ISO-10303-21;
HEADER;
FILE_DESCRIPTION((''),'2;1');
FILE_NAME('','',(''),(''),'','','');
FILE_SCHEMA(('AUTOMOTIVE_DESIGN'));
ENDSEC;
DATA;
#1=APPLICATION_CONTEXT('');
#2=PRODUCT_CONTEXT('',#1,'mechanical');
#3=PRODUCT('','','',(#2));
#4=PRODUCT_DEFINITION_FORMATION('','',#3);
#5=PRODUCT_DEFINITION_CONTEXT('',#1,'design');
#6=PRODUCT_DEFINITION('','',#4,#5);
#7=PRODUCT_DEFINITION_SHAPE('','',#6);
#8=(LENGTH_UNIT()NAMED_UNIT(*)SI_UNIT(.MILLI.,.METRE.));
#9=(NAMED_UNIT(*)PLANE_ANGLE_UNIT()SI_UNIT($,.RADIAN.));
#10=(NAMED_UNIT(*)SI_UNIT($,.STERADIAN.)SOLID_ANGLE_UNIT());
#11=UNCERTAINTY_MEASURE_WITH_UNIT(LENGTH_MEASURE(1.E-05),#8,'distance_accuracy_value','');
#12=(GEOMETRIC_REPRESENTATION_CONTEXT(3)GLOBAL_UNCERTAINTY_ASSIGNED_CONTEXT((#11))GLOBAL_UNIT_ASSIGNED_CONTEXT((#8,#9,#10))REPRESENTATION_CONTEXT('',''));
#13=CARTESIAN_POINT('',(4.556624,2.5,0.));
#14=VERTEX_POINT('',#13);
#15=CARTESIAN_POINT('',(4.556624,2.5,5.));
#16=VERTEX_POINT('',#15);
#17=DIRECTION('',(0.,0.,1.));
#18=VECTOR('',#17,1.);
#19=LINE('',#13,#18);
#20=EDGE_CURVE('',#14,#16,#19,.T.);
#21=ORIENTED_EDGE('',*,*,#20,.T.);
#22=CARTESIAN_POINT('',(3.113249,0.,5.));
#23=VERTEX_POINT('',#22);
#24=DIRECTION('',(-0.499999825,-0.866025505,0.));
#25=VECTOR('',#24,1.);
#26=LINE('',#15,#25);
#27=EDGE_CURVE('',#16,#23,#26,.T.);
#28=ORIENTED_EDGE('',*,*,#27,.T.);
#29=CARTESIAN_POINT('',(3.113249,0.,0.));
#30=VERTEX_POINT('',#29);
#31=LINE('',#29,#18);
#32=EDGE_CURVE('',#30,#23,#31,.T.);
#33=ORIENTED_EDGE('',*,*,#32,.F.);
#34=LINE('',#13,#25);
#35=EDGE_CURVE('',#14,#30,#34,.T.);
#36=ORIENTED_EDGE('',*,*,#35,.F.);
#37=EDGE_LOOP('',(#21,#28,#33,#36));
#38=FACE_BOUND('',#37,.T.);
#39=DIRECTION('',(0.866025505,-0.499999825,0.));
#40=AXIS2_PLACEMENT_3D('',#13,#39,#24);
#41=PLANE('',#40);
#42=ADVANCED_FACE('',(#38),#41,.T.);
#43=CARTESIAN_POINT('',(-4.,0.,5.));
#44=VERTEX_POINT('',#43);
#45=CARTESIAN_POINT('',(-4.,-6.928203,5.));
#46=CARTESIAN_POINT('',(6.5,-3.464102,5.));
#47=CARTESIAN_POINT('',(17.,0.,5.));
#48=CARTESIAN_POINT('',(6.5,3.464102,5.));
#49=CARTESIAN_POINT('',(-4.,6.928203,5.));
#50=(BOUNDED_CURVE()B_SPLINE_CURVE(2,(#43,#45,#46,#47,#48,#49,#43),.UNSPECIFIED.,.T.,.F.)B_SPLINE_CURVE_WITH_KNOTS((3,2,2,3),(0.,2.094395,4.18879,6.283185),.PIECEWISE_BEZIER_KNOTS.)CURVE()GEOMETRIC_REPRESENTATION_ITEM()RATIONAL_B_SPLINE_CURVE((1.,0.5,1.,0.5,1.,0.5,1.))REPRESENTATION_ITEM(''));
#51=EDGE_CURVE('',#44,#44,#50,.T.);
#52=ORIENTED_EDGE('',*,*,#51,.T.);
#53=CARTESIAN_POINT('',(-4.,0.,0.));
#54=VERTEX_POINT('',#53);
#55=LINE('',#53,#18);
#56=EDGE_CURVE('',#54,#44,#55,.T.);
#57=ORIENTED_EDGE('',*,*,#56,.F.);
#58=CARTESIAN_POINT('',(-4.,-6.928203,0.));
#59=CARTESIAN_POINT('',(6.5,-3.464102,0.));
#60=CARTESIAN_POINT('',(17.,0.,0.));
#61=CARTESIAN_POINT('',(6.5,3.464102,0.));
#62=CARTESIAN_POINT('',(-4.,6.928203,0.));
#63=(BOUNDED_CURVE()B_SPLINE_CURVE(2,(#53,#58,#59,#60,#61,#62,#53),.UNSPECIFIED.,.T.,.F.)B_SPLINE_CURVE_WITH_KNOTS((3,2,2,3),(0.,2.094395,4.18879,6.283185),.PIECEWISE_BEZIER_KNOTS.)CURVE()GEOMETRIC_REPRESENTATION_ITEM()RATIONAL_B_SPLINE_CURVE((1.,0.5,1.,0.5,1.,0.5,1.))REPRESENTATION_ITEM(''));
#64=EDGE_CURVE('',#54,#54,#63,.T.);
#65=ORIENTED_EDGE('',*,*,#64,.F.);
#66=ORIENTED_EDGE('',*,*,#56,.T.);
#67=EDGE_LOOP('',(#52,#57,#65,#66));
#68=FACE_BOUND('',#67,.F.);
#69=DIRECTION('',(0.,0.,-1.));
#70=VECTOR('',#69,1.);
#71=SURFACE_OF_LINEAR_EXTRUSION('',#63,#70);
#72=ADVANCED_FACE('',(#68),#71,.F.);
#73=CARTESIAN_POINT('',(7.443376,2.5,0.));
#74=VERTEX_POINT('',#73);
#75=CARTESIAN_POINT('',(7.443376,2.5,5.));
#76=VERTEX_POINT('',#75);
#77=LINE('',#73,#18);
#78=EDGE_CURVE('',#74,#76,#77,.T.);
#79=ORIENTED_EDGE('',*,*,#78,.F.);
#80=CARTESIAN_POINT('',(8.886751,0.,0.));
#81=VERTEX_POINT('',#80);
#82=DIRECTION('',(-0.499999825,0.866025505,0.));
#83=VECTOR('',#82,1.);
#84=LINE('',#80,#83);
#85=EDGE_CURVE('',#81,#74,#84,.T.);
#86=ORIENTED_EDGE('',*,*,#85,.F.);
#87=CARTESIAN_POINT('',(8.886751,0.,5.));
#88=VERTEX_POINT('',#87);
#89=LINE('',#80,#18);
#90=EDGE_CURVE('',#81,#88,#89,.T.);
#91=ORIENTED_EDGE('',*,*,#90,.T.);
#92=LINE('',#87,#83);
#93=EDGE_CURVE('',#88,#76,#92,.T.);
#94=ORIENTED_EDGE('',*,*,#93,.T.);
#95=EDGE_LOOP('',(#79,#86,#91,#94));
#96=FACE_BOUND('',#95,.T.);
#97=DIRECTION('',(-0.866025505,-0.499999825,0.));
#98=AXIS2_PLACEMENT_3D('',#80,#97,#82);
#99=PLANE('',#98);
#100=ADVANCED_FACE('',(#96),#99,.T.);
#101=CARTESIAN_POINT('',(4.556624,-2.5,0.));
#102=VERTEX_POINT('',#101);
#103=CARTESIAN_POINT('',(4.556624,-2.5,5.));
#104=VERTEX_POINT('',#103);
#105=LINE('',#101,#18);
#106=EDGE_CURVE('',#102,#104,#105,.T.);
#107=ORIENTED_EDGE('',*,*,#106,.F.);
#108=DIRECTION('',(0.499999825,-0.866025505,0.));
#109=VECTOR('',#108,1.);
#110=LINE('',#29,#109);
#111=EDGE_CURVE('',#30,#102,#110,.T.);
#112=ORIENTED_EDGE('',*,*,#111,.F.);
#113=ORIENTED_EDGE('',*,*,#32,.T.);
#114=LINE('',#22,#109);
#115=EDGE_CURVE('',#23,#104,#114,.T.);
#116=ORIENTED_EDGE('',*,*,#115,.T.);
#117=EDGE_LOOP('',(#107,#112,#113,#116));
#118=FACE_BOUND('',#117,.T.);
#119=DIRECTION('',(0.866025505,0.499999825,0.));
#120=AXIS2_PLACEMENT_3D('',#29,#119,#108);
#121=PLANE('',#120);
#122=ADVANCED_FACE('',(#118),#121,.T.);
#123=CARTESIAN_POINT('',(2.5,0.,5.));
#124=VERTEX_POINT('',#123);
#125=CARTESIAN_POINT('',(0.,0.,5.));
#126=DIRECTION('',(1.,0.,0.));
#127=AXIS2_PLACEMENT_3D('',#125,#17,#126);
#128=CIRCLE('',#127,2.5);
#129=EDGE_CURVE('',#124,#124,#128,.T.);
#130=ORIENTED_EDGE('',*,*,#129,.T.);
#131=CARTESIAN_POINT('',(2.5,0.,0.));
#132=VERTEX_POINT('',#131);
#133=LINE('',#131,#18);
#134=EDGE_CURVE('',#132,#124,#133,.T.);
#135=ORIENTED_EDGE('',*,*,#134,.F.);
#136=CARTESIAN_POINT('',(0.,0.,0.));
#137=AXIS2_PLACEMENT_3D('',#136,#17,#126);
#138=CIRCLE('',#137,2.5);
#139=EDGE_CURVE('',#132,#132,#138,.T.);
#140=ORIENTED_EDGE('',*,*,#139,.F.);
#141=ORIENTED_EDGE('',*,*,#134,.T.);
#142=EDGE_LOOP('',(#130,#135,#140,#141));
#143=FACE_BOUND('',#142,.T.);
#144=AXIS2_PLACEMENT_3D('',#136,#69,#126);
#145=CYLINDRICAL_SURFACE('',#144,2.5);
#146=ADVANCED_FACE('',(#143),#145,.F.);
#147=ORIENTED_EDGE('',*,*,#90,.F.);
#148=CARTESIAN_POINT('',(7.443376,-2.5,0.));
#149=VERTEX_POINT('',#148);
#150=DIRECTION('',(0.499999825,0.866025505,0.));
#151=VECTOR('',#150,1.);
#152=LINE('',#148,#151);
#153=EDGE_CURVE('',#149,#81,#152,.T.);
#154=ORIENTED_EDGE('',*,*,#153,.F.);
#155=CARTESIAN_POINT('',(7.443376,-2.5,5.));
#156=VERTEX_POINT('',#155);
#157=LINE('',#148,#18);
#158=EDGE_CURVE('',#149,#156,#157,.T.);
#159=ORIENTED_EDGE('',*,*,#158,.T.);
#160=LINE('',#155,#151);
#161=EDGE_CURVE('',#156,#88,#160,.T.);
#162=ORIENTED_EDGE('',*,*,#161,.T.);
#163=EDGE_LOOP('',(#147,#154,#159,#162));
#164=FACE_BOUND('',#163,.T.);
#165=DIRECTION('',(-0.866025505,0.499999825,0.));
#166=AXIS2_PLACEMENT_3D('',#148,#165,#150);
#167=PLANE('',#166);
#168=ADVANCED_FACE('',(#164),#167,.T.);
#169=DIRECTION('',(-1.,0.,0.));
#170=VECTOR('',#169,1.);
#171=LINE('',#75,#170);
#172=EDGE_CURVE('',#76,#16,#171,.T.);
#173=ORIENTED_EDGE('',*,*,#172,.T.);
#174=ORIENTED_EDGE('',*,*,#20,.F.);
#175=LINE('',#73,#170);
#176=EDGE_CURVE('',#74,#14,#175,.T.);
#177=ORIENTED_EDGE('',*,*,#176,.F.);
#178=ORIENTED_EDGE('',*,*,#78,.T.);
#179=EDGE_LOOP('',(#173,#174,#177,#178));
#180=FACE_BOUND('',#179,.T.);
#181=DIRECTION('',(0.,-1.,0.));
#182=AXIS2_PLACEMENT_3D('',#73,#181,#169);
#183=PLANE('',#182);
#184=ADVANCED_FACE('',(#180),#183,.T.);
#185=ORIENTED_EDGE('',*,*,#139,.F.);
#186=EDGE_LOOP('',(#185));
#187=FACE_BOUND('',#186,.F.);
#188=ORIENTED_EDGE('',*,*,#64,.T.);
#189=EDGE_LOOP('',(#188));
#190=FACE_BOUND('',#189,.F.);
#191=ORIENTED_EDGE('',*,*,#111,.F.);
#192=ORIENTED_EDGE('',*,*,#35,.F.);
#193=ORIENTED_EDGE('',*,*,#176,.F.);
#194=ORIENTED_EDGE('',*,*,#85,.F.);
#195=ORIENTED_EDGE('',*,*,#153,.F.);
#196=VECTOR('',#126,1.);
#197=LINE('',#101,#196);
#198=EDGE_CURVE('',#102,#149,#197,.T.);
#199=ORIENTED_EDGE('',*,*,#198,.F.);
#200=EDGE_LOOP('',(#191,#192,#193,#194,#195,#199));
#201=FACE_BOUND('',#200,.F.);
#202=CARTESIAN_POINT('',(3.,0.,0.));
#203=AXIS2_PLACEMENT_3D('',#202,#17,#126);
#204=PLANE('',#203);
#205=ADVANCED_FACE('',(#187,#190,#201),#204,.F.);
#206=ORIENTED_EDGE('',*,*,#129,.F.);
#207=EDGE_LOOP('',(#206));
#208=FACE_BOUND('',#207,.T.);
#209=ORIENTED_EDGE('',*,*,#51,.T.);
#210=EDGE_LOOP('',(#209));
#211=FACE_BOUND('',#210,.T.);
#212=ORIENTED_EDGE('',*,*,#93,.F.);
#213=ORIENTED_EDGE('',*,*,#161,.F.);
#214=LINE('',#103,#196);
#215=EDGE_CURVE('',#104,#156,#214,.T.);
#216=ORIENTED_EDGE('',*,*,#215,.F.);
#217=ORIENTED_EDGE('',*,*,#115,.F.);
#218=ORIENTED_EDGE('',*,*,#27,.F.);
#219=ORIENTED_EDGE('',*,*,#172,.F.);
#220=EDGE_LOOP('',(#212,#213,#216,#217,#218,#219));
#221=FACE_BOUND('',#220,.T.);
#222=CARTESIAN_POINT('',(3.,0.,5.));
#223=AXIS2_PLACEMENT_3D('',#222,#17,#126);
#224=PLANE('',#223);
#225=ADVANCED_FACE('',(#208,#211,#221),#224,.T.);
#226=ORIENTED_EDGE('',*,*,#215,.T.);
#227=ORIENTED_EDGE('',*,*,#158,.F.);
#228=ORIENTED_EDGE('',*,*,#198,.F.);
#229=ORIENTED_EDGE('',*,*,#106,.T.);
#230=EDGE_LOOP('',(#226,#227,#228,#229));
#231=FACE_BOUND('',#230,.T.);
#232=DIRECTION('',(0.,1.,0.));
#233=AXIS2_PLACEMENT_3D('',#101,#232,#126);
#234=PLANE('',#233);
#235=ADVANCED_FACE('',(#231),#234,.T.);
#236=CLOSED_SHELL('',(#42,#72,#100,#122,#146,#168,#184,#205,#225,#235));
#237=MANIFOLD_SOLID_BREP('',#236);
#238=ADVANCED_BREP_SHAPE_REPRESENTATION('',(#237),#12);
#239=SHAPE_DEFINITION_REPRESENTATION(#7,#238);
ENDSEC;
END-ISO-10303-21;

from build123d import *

# Parameters (mm, degrees)
SKETCH_R      = 2.5
EXTRUDE_DEPTH = 5


with BuildPart() as part:
    # Sketch (on Part) → Extrude (new body)
    with BuildSketch(Plane.XY):
        with BuildLine():
            add(Edge.make_bspline(
                [(-4, 0), (-4, -6.928203), (6.5, -3.464102), (17, 0), (6.5, 3.464102), (-4, 6.928203), (-4, 0)],
                knots=[0, 0, 0, 2.094395, 2.094395, 4.18879, 4.18879, 6.283185, 6.283185, 6.283185], degree=2, weights=[1, 0.5, 1, 0.5, 1, 0.5, 1]))
        make_face()
        Circle(SKETCH_R, mode=Mode.SUBTRACT)
        Polygon((7.443376, -2.5), (8.886751, 0), (7.443376, 2.5), (4.556624, 2.5), (3.113249, 0), (4.556624, -2.5), align=None, mode=Mode.SUBTRACT)
    extrude(amount=EXTRUDE_DEPTH)


solid = part.part
